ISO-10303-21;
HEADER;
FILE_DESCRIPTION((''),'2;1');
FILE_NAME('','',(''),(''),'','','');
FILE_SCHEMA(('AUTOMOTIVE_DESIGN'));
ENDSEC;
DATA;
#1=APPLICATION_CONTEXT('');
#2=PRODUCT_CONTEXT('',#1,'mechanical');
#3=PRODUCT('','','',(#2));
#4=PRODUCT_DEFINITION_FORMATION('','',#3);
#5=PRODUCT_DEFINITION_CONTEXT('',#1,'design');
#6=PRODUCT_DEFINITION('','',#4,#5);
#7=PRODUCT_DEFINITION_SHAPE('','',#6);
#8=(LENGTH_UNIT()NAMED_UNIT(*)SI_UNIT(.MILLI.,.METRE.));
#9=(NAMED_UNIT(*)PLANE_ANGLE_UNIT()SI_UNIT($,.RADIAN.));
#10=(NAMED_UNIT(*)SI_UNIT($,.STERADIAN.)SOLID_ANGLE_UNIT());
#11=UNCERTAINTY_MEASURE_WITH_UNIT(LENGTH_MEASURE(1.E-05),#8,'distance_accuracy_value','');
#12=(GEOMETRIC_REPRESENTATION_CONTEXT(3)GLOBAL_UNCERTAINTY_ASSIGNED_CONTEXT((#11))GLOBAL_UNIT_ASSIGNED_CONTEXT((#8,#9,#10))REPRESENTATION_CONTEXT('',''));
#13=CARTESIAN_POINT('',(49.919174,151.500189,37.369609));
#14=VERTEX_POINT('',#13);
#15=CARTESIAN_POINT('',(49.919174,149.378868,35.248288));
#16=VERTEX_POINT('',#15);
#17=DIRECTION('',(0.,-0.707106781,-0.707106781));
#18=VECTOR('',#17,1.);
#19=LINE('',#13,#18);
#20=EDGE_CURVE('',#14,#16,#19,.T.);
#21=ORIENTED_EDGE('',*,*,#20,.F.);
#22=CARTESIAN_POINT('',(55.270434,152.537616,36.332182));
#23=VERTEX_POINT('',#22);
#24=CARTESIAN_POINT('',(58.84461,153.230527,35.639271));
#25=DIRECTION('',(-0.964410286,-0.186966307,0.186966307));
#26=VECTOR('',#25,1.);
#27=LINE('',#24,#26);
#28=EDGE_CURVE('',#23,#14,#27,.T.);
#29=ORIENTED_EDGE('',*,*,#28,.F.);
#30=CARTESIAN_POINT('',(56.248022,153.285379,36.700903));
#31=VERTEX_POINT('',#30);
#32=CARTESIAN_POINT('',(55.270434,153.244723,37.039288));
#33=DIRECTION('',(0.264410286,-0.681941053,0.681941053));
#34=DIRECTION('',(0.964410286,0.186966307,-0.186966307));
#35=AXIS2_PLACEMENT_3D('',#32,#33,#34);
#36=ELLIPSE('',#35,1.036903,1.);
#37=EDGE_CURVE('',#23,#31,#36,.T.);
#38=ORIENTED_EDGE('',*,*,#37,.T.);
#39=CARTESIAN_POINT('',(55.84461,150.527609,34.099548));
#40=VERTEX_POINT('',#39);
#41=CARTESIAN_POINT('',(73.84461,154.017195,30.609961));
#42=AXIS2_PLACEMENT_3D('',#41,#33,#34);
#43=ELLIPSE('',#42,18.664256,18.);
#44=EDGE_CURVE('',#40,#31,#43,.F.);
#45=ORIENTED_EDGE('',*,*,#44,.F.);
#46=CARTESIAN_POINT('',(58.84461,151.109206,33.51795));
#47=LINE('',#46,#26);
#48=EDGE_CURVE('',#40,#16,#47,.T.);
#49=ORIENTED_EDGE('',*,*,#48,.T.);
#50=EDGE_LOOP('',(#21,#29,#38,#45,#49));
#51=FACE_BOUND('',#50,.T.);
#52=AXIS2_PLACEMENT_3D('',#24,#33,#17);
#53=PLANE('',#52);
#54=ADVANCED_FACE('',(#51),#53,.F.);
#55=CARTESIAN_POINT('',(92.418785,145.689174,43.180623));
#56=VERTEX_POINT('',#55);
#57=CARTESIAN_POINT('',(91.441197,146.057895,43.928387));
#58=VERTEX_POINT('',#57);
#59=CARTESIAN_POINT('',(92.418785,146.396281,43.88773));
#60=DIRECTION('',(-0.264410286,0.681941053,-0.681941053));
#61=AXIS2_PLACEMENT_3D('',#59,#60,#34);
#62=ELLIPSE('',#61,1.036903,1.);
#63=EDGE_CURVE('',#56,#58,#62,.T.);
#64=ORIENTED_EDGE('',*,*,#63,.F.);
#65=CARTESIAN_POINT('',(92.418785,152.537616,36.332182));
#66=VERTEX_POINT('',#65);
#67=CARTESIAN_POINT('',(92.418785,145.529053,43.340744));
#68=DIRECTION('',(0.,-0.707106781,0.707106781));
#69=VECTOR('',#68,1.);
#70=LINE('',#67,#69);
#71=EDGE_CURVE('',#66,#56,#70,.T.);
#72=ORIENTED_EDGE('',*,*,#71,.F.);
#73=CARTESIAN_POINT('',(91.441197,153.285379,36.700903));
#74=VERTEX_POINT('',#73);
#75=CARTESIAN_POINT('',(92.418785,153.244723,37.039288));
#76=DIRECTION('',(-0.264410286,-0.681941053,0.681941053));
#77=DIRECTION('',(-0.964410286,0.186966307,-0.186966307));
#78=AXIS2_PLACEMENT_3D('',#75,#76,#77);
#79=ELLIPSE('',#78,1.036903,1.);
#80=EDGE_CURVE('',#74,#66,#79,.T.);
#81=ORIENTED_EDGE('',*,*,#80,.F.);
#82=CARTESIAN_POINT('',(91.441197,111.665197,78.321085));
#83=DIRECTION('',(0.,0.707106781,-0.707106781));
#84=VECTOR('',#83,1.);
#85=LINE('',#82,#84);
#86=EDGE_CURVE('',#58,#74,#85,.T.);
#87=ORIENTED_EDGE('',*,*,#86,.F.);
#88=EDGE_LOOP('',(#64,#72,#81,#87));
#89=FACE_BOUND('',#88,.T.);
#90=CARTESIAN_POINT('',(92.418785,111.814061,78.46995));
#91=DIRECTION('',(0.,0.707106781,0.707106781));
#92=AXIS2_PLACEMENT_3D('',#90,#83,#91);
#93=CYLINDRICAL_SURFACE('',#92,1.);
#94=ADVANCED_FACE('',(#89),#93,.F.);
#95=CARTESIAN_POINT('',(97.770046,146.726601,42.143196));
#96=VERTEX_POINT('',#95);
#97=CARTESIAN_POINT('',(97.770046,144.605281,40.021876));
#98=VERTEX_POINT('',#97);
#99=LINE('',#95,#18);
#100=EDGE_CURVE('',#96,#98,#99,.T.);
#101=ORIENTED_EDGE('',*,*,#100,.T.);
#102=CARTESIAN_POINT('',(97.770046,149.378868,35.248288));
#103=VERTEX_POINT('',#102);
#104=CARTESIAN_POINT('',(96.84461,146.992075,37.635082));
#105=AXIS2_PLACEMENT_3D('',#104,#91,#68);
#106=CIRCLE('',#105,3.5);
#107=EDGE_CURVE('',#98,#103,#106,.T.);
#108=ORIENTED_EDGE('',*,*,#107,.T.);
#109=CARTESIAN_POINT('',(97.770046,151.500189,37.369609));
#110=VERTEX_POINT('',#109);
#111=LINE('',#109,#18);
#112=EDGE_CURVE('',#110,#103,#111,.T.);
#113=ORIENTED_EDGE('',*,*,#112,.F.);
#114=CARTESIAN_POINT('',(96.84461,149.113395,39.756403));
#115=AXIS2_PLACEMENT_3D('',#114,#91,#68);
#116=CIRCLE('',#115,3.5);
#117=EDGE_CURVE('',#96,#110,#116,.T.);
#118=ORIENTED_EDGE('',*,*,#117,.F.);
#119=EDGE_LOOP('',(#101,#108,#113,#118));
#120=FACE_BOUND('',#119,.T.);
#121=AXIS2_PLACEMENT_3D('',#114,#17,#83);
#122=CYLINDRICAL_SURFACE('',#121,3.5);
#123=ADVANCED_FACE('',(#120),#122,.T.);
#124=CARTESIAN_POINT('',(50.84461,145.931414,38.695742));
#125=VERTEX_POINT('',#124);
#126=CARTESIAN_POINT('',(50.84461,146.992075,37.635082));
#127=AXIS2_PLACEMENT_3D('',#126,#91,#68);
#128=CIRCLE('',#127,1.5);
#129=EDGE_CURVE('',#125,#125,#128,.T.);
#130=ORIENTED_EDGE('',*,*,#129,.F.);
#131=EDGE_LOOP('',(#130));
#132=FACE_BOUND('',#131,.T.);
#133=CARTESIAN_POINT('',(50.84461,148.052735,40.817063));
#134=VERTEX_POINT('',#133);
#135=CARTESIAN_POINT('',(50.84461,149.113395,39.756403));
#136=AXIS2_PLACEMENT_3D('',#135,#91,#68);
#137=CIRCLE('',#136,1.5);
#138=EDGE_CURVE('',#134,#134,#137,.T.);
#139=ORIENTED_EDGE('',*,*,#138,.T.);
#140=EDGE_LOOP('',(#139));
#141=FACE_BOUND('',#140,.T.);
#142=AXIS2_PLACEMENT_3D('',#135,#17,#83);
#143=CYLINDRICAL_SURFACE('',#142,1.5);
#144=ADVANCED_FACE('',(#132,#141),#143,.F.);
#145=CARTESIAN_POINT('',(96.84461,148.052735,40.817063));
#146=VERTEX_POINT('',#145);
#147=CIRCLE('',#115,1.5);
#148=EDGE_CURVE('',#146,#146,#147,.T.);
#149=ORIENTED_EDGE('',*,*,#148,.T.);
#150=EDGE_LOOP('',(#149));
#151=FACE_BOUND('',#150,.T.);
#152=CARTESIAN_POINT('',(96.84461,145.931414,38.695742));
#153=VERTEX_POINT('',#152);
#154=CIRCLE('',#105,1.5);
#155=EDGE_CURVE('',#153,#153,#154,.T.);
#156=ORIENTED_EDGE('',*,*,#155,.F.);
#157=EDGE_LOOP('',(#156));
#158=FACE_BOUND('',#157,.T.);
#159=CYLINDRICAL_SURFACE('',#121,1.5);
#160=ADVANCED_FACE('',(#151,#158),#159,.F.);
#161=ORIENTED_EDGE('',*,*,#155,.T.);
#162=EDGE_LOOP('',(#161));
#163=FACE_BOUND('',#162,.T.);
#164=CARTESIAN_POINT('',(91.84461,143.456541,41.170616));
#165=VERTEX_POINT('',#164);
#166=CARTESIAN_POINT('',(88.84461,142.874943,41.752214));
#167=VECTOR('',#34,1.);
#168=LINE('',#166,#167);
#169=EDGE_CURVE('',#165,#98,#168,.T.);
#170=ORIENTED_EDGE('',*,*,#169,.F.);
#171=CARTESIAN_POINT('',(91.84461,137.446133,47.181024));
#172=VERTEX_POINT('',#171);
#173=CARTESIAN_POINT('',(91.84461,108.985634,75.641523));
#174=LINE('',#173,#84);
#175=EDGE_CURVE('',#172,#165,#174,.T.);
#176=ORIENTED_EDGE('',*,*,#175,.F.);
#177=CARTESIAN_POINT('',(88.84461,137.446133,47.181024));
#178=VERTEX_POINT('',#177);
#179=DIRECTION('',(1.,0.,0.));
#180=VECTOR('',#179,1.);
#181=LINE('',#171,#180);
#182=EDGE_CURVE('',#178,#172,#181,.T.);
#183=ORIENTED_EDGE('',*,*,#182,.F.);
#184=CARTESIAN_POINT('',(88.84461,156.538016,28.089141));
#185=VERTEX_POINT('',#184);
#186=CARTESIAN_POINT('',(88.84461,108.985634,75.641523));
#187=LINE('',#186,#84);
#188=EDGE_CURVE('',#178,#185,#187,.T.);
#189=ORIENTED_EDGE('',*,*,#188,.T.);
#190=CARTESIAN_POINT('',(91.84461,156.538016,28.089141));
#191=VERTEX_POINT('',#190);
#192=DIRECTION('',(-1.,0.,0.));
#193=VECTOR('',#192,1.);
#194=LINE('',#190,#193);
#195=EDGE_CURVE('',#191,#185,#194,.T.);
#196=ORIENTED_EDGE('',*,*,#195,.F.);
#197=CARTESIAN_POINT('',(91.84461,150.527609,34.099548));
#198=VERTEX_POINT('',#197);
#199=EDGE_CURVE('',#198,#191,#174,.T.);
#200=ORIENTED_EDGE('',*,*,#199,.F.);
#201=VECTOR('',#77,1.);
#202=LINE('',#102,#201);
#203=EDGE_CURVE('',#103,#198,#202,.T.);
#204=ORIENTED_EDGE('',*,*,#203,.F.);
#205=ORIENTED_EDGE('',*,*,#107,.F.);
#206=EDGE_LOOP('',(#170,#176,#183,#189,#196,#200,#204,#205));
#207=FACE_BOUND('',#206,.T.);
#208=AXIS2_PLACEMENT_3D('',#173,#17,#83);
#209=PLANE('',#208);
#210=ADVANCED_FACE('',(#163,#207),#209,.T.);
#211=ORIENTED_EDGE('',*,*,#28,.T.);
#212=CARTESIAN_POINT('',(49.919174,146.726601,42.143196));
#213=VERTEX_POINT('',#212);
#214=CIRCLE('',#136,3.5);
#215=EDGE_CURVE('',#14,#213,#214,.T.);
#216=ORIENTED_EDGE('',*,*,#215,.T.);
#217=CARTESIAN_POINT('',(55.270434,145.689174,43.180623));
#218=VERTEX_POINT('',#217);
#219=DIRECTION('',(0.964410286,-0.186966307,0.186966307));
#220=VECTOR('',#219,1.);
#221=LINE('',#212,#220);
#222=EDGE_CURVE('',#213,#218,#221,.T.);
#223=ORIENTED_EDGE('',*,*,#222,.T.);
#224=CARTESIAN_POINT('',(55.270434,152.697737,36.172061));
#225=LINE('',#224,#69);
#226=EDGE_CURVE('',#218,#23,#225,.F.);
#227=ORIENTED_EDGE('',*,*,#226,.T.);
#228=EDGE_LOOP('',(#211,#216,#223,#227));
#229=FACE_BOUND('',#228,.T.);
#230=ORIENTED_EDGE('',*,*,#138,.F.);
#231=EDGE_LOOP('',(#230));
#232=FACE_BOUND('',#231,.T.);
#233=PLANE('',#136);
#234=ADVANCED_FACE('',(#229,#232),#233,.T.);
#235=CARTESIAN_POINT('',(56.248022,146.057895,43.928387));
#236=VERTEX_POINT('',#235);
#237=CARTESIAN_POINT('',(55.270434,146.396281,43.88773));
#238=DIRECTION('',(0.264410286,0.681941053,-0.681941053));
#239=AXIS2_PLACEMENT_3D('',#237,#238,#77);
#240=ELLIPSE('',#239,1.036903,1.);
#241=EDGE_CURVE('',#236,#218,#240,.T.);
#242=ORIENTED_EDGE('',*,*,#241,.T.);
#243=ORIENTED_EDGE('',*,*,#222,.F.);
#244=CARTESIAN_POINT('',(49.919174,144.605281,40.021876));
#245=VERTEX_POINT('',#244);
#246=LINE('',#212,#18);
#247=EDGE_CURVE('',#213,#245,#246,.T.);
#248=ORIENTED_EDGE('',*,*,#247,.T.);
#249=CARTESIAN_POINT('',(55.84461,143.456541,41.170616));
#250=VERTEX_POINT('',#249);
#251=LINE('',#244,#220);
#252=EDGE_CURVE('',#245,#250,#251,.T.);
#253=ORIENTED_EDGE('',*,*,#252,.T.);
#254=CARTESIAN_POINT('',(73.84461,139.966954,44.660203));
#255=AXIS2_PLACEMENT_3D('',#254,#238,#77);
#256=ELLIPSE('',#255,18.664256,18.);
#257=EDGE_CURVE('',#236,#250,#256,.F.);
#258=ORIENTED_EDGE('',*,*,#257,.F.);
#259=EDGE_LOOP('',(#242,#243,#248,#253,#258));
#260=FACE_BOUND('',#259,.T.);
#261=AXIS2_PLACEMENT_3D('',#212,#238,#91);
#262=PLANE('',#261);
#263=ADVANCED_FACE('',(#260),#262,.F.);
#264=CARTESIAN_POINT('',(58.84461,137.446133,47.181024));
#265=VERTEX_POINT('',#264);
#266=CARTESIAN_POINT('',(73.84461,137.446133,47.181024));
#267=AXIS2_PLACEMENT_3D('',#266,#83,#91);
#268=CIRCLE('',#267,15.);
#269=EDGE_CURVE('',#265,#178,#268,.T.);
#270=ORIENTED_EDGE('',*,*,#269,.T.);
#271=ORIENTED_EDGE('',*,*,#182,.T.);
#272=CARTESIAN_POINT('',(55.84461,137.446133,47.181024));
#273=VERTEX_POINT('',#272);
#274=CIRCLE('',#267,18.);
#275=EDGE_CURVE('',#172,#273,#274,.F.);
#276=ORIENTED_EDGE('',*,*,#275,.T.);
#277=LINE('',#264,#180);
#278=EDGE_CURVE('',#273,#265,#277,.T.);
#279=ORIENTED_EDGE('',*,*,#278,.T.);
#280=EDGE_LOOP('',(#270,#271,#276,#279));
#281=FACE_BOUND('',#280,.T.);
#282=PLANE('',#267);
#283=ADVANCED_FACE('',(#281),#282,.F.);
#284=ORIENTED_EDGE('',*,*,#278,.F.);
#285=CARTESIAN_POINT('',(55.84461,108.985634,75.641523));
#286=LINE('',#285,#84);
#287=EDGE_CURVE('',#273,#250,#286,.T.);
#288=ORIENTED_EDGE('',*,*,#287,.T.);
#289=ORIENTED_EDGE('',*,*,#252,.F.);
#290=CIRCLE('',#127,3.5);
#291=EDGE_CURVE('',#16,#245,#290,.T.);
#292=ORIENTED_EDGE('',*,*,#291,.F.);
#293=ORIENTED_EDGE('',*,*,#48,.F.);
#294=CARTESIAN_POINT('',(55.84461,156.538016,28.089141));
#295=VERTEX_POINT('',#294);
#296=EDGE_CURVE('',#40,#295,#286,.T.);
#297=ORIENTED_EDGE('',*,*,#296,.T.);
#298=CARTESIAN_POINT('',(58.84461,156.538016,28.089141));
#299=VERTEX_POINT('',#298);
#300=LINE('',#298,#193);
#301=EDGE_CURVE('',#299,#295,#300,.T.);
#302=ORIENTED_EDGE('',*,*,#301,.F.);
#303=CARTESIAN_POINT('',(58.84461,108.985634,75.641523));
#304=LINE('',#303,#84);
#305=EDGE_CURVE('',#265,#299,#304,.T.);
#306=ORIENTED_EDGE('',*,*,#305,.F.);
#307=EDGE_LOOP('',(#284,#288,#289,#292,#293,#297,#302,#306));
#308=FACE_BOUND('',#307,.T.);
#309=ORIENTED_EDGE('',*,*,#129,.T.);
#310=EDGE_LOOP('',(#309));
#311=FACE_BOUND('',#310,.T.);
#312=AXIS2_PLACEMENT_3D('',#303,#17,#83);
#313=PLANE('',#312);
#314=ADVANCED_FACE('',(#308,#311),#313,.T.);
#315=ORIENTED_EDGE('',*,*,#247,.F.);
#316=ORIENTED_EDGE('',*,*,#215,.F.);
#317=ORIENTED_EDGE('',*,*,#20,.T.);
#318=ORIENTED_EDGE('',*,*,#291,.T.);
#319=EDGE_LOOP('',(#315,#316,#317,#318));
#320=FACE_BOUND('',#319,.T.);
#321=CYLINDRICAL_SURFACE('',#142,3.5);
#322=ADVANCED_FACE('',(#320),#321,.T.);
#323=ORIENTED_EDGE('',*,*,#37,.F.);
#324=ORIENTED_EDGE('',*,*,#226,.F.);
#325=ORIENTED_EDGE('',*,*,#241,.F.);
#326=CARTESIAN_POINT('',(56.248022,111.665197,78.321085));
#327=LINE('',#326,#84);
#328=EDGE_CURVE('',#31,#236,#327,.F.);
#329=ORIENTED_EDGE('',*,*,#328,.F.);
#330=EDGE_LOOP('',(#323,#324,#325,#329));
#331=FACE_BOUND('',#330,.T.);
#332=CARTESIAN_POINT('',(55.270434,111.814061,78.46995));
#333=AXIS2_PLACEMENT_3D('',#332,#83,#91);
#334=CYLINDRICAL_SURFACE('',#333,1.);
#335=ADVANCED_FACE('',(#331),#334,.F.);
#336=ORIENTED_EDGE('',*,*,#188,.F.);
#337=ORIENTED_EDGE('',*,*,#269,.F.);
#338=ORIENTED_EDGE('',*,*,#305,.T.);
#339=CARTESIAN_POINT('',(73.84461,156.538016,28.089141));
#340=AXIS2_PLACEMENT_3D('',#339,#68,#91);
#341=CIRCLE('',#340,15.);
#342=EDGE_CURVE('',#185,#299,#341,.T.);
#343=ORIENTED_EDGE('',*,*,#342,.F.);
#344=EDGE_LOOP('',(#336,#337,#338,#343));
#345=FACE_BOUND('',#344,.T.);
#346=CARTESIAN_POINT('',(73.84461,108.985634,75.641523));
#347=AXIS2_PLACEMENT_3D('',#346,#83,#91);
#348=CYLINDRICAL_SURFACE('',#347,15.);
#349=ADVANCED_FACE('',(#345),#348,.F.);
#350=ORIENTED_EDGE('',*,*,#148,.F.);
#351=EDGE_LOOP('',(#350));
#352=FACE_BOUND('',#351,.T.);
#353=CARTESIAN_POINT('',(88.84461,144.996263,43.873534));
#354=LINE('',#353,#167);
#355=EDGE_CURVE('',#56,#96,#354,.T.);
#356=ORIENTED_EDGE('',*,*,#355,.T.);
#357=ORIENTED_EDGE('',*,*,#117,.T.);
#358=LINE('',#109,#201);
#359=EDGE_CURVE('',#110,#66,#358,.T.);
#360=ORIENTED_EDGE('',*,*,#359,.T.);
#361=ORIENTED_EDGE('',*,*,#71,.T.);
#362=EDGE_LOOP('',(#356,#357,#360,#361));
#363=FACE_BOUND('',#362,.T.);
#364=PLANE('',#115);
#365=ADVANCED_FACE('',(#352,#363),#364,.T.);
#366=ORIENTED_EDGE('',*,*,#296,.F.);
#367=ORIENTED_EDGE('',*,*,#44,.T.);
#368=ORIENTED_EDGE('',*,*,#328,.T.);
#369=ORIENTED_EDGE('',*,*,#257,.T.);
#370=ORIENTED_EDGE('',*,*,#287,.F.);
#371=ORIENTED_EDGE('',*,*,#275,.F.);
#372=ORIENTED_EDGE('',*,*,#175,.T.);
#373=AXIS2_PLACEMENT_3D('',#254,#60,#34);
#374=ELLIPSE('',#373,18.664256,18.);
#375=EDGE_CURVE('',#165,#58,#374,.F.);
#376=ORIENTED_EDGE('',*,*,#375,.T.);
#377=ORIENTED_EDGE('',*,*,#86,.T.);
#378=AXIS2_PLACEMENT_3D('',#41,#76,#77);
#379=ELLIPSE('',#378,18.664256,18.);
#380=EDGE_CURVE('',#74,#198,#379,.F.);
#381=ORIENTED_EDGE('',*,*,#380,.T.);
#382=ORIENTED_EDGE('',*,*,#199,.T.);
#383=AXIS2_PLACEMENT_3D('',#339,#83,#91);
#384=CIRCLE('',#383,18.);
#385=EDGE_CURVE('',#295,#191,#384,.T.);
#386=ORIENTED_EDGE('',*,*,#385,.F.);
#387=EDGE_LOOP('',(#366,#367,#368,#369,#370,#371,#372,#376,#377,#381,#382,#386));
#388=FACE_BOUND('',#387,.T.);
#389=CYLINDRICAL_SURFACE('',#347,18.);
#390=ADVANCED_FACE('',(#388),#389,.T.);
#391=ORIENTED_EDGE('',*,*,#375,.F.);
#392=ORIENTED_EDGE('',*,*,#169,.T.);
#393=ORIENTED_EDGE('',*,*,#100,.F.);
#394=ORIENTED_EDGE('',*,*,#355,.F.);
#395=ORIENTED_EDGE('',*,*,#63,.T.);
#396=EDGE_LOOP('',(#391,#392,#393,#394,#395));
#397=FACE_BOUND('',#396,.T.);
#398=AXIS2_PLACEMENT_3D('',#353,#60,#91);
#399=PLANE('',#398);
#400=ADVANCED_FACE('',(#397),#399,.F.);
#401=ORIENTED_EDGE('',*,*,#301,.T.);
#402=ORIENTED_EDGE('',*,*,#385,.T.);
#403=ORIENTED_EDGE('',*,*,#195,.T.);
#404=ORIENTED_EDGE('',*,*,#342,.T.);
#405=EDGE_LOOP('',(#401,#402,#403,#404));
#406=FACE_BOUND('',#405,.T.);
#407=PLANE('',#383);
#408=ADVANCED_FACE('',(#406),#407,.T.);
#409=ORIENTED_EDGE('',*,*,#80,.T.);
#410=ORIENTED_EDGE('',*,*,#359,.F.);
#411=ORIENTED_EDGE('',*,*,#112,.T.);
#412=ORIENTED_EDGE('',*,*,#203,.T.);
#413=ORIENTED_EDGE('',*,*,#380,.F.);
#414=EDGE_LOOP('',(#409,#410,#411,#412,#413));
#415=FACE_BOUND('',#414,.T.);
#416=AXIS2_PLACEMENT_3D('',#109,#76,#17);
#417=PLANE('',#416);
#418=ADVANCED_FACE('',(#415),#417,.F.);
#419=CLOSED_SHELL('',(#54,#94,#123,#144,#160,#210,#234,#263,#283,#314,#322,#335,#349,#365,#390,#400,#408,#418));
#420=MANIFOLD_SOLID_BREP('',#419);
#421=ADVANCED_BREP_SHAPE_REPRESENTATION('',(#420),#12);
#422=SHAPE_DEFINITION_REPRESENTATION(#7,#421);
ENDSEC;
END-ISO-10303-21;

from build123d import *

# Parameters (mm, degrees)
BOSS_EXTRUDE1_DEPTH = 27
SKETCH2_R           = 1.5
BOSS_EXTRUDE2_DEPTH = 3
FILLET1_R           = 1


with BuildPart() as part:
    # Sketch1 → Boss-Extrude1 (new body)
    with BuildSketch(Plane(origin=(0, 64.224437766, -64.224437766), x_dir=(1, 0, 0), z_dir=(0, 0.7071067811865498, -0.7071067811865452))):
        with BuildLine():
            Line((91.844609768, -130.551114539), (88.844609768, -130.551114539))
            ThreePointArc((88.844609768, -130.551114539), (73.844609768, -145.551114539), (58.844609768, -130.551114539))
            Line((58.844609768, -130.551114539), (55.844609768, -130.551114539))
            ThreePointArc((55.844609768, -130.551114539), (73.844609768, -148.551114539), (91.844609768, -130.551114539))
        make_face()
    extrude(amount=-BOSS_EXTRUDE1_DEPTH)

    # Sketch2 → Boss-Extrude2 (add)
    # profile 1 of 2: a face of its own
    with BuildSketch(Plane(origin=(0, 92.313578382, 92.313578382), x_dir=(1, 0, 0), z_dir=(-1.3084103822363938e-14, 0.7071067811865454, 0.7071067811865497))):
        with BuildLine():
            Line((97.77004577, 80.702506927), (88.844609768, 83.149574448))
            Line((88.844609768, 83.149574448), (88.844609768, 71.5045674))
            Line((88.844609768, 71.5045674), (97.77004577, 73.951634922))
            ThreePointArc((97.77004577, 73.951634922), (100.344609768, 77.327070924), (97.77004577, 80.702506927))
        make_face()
        with Locations(Location((96.844609768, 77.327070924, 0), (0, 0, 270))):
            Circle(SKETCH2_R, mode=Mode.SUBTRACT)
    # profile 2 of 2: a face of its own
    with BuildSketch(Plane(origin=(0, 92.313578382, 92.313578382), x_dir=(1, 0, 0), z_dir=(-1.3084103822363938e-14, 0.7071067811865454, 0.7071067811865497))):
        with BuildLine():
            Line((49.919173765, 73.951634922), (58.844609768, 71.5045674))
            Line((58.844609768, 71.5045674), (58.844609768, 83.149574448))
            Line((58.844609768, 83.149574448), (49.919173765, 80.702506927))
            ThreePointArc((49.919173765, 80.702506927), (47.344609768, 77.327070924), (49.919173765, 73.951634922))
        make_face()
        with Locations(Location((50.844609768, 77.327070924, 0), (0, 0, 270))):
            Circle(SKETCH2_R, mode=Mode.SUBTRACT)
    extrude(amount=BOSS_EXTRUDE2_DEPTH)

    # Fillet1
    fillet1_edges = [part.edges().sort_by_distance(p)[0] for p in [
        (91.592849117, 149.113394945, 39.756402505),
        (56.096370418, 149.113394945, 39.756402505),
    ]]
    fillet(fillet1_edges, radius=FILLET1_R)


solid = part.part
